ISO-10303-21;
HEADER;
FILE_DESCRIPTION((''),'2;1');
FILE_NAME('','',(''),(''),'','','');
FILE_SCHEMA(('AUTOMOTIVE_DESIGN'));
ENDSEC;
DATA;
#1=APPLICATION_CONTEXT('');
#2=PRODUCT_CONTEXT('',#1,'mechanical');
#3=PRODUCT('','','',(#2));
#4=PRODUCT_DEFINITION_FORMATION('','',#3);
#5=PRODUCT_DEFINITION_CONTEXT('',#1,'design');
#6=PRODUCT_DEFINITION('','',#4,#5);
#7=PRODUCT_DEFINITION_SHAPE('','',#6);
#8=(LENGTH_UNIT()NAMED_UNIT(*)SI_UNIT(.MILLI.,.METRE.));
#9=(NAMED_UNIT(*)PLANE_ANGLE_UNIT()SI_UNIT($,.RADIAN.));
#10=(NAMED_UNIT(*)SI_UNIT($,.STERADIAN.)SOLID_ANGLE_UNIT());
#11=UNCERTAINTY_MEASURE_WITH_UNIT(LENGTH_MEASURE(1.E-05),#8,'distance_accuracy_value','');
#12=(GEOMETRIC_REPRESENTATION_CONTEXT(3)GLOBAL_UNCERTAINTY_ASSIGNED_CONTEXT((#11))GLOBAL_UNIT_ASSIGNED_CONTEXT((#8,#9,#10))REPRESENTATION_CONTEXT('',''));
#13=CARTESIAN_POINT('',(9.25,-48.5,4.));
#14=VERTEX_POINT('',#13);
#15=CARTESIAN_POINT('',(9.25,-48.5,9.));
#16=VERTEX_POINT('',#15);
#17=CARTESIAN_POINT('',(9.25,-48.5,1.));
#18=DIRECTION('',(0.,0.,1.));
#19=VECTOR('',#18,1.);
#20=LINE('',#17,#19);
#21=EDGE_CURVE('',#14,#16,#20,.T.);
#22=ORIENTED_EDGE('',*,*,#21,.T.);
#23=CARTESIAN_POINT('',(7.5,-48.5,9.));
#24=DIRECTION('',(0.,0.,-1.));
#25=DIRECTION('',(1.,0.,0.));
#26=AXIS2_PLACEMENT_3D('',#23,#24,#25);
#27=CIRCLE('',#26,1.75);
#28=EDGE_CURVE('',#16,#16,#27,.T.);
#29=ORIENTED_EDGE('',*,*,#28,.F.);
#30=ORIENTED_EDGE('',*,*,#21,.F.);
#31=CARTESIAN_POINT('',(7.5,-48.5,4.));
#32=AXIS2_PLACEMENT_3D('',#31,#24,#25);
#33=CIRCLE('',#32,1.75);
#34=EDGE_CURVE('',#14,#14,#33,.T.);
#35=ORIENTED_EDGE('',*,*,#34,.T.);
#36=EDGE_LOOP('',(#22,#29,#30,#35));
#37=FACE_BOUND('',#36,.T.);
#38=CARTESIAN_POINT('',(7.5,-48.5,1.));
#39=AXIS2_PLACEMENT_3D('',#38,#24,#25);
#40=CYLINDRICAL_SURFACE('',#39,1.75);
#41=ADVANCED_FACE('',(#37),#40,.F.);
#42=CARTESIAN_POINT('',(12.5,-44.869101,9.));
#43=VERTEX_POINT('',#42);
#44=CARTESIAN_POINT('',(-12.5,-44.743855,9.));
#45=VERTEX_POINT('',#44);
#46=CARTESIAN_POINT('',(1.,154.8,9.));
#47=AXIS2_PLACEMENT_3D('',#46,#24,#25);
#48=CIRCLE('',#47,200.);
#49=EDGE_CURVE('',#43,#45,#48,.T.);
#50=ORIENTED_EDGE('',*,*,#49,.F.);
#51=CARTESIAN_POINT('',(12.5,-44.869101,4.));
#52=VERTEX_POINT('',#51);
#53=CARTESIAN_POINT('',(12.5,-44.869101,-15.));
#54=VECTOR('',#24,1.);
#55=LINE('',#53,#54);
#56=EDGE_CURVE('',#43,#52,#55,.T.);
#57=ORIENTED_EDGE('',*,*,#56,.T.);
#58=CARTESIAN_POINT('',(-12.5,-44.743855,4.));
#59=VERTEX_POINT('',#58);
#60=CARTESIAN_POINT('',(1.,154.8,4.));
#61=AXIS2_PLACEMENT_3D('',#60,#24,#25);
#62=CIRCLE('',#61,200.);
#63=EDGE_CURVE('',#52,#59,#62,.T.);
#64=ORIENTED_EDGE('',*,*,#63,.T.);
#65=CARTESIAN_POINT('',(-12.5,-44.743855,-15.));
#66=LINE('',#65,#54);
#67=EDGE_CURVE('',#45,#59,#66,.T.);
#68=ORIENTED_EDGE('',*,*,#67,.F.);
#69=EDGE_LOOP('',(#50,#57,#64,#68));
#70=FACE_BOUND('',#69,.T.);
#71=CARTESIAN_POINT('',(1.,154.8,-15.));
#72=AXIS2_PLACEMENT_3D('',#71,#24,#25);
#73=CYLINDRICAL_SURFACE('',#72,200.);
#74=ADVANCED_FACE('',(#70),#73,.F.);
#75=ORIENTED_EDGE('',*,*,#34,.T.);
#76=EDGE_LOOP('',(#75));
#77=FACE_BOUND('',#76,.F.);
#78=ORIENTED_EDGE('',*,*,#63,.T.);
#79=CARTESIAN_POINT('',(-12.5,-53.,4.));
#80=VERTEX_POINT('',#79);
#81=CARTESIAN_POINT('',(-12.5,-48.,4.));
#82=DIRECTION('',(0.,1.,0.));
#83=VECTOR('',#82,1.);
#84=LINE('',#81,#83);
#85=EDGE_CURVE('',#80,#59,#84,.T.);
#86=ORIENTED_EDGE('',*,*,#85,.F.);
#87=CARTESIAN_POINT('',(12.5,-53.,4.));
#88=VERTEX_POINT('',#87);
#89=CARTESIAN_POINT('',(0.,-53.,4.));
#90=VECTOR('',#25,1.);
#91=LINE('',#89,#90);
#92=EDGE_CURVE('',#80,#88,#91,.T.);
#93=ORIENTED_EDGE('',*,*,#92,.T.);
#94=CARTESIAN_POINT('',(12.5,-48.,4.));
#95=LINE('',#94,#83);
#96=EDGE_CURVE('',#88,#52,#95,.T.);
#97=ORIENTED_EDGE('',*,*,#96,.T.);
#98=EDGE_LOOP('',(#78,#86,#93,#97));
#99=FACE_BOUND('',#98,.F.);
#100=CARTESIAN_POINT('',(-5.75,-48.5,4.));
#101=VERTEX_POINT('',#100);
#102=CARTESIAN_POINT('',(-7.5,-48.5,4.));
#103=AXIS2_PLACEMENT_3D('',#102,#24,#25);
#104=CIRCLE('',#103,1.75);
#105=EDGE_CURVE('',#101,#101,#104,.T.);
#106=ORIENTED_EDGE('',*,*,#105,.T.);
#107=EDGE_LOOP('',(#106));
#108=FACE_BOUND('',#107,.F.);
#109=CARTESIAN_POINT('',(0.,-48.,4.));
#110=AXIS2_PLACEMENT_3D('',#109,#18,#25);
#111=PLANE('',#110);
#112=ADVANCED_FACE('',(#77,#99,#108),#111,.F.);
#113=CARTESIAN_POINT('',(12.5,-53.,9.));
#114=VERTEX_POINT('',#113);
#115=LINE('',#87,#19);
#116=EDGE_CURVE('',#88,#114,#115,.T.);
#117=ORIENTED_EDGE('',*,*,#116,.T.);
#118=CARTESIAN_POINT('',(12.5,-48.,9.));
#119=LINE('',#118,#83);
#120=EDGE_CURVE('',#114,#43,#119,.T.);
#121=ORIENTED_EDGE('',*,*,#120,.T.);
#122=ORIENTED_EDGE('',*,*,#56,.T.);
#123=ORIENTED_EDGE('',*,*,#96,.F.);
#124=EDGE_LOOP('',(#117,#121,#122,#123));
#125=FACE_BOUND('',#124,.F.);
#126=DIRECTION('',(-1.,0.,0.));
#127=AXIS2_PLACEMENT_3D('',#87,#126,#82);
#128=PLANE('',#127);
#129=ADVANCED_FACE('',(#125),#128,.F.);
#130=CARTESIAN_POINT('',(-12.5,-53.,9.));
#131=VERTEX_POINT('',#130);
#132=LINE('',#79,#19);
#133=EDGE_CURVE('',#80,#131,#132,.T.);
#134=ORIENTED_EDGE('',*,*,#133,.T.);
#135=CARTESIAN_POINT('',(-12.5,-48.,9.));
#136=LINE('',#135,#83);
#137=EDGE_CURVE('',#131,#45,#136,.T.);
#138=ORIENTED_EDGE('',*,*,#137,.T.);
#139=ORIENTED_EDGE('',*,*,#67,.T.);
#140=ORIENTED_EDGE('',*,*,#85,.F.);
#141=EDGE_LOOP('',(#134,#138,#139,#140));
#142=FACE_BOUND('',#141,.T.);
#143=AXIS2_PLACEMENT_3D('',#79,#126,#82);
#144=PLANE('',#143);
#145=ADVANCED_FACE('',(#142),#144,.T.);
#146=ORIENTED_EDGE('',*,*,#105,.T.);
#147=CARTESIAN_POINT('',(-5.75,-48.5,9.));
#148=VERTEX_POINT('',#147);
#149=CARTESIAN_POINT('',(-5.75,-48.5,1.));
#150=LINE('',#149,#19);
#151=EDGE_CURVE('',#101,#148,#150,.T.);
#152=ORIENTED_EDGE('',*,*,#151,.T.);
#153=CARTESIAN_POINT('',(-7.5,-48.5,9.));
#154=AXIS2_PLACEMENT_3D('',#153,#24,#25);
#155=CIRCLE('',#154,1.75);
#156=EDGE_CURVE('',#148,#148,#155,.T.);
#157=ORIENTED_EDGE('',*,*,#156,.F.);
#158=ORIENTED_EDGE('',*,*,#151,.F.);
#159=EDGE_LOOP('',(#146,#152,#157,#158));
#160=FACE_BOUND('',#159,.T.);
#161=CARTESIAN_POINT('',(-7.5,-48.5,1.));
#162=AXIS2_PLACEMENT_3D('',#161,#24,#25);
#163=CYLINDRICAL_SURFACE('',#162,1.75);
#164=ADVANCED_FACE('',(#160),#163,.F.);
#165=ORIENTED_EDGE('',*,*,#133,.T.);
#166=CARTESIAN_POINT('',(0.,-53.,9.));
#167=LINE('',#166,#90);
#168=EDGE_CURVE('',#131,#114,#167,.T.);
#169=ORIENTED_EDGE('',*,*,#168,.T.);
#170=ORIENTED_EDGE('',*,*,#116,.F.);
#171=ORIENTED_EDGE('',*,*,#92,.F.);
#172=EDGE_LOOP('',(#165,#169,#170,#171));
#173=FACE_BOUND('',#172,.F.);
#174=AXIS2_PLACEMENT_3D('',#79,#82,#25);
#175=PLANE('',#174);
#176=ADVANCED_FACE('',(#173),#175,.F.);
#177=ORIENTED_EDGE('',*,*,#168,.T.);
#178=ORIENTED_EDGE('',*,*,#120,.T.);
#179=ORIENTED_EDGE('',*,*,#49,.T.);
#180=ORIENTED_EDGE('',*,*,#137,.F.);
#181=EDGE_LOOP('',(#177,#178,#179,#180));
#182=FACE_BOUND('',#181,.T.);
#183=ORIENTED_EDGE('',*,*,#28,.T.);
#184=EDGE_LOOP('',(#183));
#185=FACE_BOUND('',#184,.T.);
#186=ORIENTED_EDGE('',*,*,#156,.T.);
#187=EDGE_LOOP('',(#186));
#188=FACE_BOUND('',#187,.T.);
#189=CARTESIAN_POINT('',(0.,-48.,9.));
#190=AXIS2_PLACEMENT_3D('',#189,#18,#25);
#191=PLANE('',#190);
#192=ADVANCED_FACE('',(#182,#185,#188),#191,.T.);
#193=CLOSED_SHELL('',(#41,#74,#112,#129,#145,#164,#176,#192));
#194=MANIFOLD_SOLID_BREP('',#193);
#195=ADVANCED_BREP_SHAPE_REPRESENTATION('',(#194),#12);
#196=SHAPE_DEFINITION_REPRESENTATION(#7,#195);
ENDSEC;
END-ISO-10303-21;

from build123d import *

# Parameters (mm, degrees)
CYLINDER035_R     = 1.75
CYLINDER035_DEPTH = 10
CYLINDER036_R     = 1.75
CYLINDER036_DEPTH = 10
CYLINDER033_R     = 200
CYLINDER033_DEPTH = 36
CYLINDER031_R     = 200
CYLINDER031_DEPTH = 53
BOX008_W          = 60
BOX008_H          = 99
BOX008_DEPTH      = 29
CYLINDER032_R     = 310
CYLINDER032_DEPTH = 77
CYLINDER030_R     = 700
CYLINDER030_DEPTH = 36
CYLINDER034_R     = 700
CYLINDER034_DEPTH = 36
FILLET006_R       = 4.2
BOX004_W          = 25
BOX004_H          = 10
BOX004_DEPTH      = 5


with BuildPart() as cylinder035:
    # Cylinder035 → Cylinder035 (new body)
    with BuildSketch(Plane(origin=(7.5, -47.5, 0), x_dir=(1, 0, 0), z_dir=(0, 0, 1))):
        Circle(CYLINDER035_R)
    extrude(amount=CYLINDER035_DEPTH)


with BuildPart() as screw_holes001:
    # Cylinder036 → Cylinder036 (new body)
    with BuildSketch(Plane(origin=(-7.5, -47.5, 0), x_dir=(1, 0, 0), z_dir=(0, 0, 1))):
        Circle(CYLINDER036_R)
    extrude(amount=CYLINDER036_DEPTH)

    # Fusion001: union Cylinder035
    add(cylinder035.part)


with BuildPart() as screw_holes001_1:
    # Fusion001 placement: moved
    add(screw_holes001.part.moved(Location((0, -1, 1))))


with BuildPart() as short_side_circle018:
    # Cylinder033 → Cylinder033 (new body)
    with BuildSketch(Plane(origin=(0, -154.8, 0), x_dir=(1, 0, 0), z_dir=(0, 0, 1))):
        Circle(CYLINDER033_R)
    extrude(amount=CYLINDER033_DEPTH)


with BuildPart() as short_side_circle016:
    # Cylinder031 → Cylinder031 (new body)
    with BuildSketch(Plane(origin=(1, 154.8, 0), x_dir=(1, 0, 0), z_dir=(0, 0, 1))):
        Circle(CYLINDER031_R)
    extrude(amount=CYLINDER031_DEPTH)


with BuildPart() as common028:
    # Box008 → Box008 (new body)
    with BuildSketch(Plane(origin=(-29.77, -50.31, 14), x_dir=(1, 0, 0), z_dir=(0, 0, 1))):
        with Locations((30, 49.5)):
            Rectangle(BOX008_W, BOX008_H)
    extrude(amount=BOX008_DEPTH)

    # Common028: intersect Short side circle016
    add(short_side_circle016.part, mode=Mode.INTERSECT)


with BuildPart() as common029:
    # Cylinder032 → Cylinder032 (new body)
    with BuildSketch(Plane(origin=(-32, 1, -262.75), x_dir=(0, 0, -1), z_dir=(1, 0, 0))):
        Circle(CYLINDER032_R)
    extrude(amount=CYLINDER032_DEPTH)

    # Common029: intersect Common028
    add(common028.part, mode=Mode.INTERSECT)


with BuildPart() as common030:
    # Cylinder030 → Cylinder030 (new body)
    with BuildSketch(Plane(origin=(671.8, 0, 0), x_dir=(1, 0, 0), z_dir=(0, 0, 1))):
        Circle(CYLINDER030_R)
    extrude(amount=CYLINDER030_DEPTH)

    # Common030: intersect Common029
    add(common029.part, mode=Mode.INTERSECT)


with BuildPart() as pad_cut002:
    # Cylinder034 → Cylinder034 (new body)
    with BuildSketch(Plane(origin=(-671.8, 0, 0), x_dir=(1, 0, 0), z_dir=(0, 0, 1))):
        Circle(CYLINDER034_R)
    extrude(amount=CYLINDER034_DEPTH)

    # Common031: intersect Common030
    add(common030.part, mode=Mode.INTERSECT)

    # Common032: intersect Short side circle018
    add(short_side_circle018.part, mode=Mode.INTERSECT)

    # Fillet006
    fillet006_edges = [pad_cut002.edges().sort_by_distance(p)[0] for p in [
        (26.845655, -43.522974, 25),
        (26.85399, 43.388958, 25),
        (-26.862626, -43.249676, 25),
        (-26.85399, 43.388958, 25),
    ]]
    fillet(fillet006_edges, radius=FILLET006_R)


with BuildPart() as pad_cut002_1:
    # Fillet006 placement: moved
    add(pad_cut002.part.moved(Location((0, 0, -15))))


with BuildPart() as band_attachement:
    # Box004 → Box004 (new body)
    with BuildSketch(Plane(origin=(-12.5, -53, 4), x_dir=(1, 0, 0), z_dir=(0, 0, 1))):
        with Locations((12.5, 5)):
            Rectangle(BOX004_W, BOX004_H)
    extrude(amount=BOX004_DEPTH)

    # Cut006: cut Pad cut002
    add(pad_cut002_1.part, mode=Mode.SUBTRACT)

    # Cut007: cut Screw holes001
    add(screw_holes001_1.part, mode=Mode.SUBTRACT)


solid = band_attachement.part
